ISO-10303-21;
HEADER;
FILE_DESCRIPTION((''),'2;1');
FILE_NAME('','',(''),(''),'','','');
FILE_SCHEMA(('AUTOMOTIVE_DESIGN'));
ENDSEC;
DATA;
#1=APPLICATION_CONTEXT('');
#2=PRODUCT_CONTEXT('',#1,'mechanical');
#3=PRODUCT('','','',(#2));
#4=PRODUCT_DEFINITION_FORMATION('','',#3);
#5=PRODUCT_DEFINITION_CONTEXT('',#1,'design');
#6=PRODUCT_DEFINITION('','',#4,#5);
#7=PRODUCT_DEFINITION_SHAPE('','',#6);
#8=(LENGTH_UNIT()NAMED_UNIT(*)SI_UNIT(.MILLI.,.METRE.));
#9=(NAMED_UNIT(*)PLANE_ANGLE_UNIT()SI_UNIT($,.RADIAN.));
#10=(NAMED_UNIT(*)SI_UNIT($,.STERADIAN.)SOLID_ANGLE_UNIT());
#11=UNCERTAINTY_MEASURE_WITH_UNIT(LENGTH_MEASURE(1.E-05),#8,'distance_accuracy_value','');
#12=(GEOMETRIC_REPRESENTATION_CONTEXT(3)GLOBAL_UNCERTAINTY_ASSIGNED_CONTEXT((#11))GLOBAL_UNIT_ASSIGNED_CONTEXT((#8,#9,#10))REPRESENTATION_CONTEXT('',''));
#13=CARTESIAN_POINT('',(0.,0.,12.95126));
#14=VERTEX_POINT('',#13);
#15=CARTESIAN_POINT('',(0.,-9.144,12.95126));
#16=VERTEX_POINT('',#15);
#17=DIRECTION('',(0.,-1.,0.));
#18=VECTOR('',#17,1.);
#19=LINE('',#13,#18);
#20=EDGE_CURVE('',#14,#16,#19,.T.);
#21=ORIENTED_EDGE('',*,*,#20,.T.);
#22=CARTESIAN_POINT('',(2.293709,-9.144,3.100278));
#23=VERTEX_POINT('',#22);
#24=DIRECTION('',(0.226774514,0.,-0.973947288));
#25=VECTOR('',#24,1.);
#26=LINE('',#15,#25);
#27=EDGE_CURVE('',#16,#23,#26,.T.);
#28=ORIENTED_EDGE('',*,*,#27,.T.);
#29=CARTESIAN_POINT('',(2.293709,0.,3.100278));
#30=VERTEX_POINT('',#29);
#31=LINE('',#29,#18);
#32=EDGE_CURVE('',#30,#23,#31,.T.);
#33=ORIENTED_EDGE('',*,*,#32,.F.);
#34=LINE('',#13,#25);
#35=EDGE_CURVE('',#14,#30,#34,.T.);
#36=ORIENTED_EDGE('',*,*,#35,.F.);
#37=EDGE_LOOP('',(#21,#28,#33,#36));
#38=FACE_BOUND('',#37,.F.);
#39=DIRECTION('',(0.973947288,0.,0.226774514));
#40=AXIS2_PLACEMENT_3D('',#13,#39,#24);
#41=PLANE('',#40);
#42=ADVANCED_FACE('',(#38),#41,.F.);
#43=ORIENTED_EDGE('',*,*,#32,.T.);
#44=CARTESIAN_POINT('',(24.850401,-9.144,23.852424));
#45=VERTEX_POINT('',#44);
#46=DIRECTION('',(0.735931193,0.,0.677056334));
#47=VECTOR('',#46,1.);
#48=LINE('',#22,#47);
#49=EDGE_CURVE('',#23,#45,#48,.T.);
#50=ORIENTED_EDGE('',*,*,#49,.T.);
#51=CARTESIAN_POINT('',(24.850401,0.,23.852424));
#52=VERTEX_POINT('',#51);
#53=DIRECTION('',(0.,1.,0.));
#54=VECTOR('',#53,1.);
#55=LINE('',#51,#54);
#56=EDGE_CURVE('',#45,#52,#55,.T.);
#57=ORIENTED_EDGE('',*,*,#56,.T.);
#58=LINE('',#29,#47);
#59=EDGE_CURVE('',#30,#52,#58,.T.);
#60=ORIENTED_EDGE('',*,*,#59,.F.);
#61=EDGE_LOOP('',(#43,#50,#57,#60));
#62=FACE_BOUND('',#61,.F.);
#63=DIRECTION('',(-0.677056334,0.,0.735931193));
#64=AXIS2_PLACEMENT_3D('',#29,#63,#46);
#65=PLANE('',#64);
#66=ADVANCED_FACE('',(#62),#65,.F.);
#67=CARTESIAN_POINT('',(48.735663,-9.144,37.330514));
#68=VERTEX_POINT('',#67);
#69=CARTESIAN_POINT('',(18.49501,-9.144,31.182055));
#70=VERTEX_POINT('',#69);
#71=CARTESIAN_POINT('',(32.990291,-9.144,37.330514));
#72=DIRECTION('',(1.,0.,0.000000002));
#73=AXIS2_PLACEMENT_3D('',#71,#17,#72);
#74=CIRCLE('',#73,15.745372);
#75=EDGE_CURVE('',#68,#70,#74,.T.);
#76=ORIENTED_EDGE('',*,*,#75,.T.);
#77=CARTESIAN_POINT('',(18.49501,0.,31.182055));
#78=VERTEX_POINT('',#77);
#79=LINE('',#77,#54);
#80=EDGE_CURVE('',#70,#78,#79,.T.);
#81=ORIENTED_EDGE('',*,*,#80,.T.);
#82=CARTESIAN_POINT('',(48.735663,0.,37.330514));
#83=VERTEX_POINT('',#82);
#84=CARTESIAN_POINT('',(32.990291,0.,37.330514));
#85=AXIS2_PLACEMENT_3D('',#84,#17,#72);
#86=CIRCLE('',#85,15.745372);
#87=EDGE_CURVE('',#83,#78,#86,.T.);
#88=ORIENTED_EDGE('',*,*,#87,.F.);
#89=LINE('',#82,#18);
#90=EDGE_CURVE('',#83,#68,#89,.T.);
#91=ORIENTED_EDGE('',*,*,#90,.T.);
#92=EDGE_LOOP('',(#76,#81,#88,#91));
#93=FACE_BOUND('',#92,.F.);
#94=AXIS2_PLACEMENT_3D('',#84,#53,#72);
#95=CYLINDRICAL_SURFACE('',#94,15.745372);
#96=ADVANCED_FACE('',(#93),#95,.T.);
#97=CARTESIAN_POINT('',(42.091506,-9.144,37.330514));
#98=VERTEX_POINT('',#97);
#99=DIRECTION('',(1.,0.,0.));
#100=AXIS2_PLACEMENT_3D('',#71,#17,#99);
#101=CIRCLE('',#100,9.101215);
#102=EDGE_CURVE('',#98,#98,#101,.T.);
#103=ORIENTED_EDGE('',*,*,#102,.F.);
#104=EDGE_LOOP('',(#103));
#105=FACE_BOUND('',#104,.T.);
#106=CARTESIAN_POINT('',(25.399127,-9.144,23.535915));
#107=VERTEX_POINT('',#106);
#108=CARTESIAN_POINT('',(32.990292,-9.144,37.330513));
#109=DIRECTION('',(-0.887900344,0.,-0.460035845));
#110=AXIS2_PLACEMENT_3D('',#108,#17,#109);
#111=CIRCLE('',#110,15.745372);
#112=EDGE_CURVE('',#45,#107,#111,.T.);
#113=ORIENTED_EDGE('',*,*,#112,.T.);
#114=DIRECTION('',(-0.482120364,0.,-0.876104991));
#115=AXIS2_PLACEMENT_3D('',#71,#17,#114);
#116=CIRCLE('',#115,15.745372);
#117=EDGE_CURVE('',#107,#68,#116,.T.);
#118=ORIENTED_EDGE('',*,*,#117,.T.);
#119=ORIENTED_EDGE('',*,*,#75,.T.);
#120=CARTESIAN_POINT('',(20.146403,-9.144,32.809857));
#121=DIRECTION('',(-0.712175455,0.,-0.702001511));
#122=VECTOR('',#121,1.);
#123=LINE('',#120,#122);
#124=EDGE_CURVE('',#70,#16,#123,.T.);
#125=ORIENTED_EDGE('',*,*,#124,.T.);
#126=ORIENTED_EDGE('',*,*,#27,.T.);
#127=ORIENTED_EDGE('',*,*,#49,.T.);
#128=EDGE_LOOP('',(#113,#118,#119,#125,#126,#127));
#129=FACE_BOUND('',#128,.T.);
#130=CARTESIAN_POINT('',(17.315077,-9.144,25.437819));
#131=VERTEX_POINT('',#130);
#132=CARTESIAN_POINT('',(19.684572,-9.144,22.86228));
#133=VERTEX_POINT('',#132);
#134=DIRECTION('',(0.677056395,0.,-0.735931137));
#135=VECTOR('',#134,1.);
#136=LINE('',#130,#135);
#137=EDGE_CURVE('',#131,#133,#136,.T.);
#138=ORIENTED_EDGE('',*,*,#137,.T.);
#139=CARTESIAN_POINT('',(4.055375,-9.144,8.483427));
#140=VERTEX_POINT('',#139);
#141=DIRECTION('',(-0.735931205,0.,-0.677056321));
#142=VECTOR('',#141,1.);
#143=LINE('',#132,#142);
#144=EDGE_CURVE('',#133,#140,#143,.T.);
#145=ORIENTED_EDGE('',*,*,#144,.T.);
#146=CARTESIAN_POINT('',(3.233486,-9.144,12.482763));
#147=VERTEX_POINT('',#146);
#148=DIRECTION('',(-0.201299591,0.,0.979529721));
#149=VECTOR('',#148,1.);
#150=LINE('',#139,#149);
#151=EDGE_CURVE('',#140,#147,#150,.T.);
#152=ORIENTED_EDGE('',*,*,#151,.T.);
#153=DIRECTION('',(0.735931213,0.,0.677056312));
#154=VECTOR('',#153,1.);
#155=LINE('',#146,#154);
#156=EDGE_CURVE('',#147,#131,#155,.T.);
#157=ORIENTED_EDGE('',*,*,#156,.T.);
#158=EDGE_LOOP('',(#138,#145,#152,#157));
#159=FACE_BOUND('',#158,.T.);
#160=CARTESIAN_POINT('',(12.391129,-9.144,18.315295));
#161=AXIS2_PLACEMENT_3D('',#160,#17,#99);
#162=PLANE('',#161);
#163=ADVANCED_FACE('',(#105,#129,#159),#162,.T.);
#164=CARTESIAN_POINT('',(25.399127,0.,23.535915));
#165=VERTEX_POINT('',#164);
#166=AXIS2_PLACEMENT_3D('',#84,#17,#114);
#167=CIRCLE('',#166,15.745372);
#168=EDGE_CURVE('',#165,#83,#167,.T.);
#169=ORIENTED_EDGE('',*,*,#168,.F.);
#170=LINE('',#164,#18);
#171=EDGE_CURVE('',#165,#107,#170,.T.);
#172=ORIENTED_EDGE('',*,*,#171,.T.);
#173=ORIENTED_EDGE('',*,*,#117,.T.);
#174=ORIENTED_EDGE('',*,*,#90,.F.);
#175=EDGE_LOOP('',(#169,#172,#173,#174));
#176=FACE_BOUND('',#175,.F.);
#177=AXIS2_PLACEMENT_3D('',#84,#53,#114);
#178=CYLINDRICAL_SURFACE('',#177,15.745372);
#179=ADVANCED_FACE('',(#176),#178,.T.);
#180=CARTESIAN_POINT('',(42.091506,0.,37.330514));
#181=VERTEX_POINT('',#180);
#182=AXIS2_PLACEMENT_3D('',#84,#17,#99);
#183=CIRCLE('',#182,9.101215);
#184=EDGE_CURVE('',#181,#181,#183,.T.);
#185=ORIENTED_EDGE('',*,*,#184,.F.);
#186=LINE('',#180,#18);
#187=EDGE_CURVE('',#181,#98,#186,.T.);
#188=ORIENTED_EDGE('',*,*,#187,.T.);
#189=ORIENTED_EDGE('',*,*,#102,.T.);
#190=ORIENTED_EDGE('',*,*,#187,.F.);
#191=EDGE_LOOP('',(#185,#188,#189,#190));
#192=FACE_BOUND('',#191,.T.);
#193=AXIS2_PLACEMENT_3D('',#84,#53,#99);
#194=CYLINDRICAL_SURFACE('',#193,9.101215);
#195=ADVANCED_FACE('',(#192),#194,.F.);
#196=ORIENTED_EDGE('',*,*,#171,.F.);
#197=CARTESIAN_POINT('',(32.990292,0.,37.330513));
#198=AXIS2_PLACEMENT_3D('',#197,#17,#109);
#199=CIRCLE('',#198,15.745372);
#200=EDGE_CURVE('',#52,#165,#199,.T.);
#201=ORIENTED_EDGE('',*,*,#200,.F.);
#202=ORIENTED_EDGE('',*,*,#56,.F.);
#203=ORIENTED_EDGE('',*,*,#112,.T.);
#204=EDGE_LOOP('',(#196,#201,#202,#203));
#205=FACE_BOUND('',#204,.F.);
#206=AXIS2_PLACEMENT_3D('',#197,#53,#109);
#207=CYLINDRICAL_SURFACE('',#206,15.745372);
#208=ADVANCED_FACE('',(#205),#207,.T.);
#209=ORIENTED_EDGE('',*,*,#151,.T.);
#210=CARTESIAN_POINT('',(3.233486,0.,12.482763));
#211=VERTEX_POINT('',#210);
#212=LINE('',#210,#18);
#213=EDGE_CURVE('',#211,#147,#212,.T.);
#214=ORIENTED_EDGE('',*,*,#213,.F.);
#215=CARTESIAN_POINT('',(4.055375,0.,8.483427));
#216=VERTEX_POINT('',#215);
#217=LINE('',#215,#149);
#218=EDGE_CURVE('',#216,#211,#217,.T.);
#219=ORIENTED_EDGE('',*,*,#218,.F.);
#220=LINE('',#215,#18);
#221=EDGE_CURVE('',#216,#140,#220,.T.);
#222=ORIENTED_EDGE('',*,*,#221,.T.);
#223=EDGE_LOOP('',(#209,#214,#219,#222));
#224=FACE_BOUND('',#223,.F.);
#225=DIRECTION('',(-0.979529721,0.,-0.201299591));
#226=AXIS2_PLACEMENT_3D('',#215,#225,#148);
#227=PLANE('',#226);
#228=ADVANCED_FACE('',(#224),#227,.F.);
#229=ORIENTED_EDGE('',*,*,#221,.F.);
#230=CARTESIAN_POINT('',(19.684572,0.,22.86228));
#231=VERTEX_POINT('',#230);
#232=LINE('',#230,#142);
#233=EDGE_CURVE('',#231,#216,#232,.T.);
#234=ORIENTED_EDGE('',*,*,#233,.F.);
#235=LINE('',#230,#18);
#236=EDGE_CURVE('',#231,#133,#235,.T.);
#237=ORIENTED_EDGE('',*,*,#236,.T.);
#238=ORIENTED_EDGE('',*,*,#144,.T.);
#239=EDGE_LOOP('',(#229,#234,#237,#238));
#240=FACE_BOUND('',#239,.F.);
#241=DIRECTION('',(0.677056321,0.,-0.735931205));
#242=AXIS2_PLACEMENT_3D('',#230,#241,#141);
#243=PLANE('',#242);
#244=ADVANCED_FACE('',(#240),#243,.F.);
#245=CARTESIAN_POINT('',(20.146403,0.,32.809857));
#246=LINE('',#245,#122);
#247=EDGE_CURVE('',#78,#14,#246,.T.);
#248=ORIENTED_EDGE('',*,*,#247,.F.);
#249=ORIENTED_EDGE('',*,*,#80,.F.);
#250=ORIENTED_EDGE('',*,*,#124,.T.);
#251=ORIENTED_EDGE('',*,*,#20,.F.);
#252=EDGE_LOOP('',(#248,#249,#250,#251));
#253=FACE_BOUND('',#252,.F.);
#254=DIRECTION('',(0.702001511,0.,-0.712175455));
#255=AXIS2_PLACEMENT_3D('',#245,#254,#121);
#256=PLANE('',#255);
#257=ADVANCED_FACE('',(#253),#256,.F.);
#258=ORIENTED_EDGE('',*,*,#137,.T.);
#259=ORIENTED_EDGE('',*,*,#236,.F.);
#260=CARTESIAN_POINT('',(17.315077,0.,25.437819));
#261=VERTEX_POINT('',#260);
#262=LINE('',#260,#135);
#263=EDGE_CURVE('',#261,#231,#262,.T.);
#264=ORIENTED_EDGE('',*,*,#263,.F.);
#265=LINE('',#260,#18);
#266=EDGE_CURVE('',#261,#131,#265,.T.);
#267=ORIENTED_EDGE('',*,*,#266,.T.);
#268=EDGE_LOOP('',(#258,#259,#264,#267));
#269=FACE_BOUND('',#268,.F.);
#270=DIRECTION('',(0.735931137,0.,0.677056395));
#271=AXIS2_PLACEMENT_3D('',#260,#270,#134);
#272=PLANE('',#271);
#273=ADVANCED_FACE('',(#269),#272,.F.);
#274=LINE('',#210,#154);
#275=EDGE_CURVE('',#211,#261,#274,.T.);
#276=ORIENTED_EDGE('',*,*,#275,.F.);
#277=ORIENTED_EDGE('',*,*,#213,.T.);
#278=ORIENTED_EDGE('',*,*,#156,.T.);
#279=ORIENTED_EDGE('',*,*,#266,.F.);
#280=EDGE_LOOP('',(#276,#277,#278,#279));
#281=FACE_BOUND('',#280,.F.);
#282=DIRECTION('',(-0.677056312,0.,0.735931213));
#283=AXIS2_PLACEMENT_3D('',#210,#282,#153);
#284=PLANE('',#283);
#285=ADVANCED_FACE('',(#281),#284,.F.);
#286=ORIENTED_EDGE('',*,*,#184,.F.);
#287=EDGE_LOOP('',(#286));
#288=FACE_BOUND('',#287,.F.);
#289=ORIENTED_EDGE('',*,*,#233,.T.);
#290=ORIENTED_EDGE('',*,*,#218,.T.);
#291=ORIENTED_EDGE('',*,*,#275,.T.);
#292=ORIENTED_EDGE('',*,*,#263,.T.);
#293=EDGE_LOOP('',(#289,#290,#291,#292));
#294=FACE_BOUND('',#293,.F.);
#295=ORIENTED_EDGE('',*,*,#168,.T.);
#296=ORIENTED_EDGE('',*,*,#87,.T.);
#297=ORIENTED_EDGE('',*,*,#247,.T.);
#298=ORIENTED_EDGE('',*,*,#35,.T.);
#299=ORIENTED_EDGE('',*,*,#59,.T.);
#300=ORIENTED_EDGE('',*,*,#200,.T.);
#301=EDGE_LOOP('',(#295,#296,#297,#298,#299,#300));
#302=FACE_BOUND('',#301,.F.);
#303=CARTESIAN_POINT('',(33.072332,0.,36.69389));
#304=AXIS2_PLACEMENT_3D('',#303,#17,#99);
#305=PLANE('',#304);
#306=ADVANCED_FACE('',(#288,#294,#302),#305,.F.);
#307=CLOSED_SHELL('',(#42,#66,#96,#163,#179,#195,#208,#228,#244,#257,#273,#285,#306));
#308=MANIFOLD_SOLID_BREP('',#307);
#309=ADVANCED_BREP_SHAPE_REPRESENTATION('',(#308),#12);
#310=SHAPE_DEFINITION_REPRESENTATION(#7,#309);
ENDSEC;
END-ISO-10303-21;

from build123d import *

# Parameters (mm, degrees)
F0_R     = 9.101215
F1_DEPTH = 9.144
F3_DEPTH = 9.144


with BuildPart() as f1:
    # F0 (on Front) → F1 (new body)
    with BuildSketch(Plane.XZ):
        with BuildLine():
            ThreePointArc((25.399127, 23.535915), (41.002502, 23.776134), (48.735663, 37.330514))
            ThreePointArc((48.735663, 37.330514), (29.262599, 52.62826), (19.009971, 30.087078))
            ThreePointArc((19.009971, 30.087078), (21.718128, 26.337104), (25.399127, 23.535915))
        make_face()
        with Locations((32.990291, 37.330514)):
            Circle(F0_R, mode=Mode.SUBTRACT)
    extrude(amount=F1_DEPTH)

    # F2 (on Front) → F3 (join)
    with BuildSketch(Plane.XZ):
        Polygon((26.765933, 25.614712), (20.146403, 32.809857), (0, 12.95126), (2.293709, 3.100278), align=None)
        Polygon((4.055375, 8.483427), (3.233486, 12.482763), (17.315077, 25.437819), (19.684572, 22.86228), align=None, mode=Mode.SUBTRACT)
    extrude(amount=F3_DEPTH)


solid = f1.part
